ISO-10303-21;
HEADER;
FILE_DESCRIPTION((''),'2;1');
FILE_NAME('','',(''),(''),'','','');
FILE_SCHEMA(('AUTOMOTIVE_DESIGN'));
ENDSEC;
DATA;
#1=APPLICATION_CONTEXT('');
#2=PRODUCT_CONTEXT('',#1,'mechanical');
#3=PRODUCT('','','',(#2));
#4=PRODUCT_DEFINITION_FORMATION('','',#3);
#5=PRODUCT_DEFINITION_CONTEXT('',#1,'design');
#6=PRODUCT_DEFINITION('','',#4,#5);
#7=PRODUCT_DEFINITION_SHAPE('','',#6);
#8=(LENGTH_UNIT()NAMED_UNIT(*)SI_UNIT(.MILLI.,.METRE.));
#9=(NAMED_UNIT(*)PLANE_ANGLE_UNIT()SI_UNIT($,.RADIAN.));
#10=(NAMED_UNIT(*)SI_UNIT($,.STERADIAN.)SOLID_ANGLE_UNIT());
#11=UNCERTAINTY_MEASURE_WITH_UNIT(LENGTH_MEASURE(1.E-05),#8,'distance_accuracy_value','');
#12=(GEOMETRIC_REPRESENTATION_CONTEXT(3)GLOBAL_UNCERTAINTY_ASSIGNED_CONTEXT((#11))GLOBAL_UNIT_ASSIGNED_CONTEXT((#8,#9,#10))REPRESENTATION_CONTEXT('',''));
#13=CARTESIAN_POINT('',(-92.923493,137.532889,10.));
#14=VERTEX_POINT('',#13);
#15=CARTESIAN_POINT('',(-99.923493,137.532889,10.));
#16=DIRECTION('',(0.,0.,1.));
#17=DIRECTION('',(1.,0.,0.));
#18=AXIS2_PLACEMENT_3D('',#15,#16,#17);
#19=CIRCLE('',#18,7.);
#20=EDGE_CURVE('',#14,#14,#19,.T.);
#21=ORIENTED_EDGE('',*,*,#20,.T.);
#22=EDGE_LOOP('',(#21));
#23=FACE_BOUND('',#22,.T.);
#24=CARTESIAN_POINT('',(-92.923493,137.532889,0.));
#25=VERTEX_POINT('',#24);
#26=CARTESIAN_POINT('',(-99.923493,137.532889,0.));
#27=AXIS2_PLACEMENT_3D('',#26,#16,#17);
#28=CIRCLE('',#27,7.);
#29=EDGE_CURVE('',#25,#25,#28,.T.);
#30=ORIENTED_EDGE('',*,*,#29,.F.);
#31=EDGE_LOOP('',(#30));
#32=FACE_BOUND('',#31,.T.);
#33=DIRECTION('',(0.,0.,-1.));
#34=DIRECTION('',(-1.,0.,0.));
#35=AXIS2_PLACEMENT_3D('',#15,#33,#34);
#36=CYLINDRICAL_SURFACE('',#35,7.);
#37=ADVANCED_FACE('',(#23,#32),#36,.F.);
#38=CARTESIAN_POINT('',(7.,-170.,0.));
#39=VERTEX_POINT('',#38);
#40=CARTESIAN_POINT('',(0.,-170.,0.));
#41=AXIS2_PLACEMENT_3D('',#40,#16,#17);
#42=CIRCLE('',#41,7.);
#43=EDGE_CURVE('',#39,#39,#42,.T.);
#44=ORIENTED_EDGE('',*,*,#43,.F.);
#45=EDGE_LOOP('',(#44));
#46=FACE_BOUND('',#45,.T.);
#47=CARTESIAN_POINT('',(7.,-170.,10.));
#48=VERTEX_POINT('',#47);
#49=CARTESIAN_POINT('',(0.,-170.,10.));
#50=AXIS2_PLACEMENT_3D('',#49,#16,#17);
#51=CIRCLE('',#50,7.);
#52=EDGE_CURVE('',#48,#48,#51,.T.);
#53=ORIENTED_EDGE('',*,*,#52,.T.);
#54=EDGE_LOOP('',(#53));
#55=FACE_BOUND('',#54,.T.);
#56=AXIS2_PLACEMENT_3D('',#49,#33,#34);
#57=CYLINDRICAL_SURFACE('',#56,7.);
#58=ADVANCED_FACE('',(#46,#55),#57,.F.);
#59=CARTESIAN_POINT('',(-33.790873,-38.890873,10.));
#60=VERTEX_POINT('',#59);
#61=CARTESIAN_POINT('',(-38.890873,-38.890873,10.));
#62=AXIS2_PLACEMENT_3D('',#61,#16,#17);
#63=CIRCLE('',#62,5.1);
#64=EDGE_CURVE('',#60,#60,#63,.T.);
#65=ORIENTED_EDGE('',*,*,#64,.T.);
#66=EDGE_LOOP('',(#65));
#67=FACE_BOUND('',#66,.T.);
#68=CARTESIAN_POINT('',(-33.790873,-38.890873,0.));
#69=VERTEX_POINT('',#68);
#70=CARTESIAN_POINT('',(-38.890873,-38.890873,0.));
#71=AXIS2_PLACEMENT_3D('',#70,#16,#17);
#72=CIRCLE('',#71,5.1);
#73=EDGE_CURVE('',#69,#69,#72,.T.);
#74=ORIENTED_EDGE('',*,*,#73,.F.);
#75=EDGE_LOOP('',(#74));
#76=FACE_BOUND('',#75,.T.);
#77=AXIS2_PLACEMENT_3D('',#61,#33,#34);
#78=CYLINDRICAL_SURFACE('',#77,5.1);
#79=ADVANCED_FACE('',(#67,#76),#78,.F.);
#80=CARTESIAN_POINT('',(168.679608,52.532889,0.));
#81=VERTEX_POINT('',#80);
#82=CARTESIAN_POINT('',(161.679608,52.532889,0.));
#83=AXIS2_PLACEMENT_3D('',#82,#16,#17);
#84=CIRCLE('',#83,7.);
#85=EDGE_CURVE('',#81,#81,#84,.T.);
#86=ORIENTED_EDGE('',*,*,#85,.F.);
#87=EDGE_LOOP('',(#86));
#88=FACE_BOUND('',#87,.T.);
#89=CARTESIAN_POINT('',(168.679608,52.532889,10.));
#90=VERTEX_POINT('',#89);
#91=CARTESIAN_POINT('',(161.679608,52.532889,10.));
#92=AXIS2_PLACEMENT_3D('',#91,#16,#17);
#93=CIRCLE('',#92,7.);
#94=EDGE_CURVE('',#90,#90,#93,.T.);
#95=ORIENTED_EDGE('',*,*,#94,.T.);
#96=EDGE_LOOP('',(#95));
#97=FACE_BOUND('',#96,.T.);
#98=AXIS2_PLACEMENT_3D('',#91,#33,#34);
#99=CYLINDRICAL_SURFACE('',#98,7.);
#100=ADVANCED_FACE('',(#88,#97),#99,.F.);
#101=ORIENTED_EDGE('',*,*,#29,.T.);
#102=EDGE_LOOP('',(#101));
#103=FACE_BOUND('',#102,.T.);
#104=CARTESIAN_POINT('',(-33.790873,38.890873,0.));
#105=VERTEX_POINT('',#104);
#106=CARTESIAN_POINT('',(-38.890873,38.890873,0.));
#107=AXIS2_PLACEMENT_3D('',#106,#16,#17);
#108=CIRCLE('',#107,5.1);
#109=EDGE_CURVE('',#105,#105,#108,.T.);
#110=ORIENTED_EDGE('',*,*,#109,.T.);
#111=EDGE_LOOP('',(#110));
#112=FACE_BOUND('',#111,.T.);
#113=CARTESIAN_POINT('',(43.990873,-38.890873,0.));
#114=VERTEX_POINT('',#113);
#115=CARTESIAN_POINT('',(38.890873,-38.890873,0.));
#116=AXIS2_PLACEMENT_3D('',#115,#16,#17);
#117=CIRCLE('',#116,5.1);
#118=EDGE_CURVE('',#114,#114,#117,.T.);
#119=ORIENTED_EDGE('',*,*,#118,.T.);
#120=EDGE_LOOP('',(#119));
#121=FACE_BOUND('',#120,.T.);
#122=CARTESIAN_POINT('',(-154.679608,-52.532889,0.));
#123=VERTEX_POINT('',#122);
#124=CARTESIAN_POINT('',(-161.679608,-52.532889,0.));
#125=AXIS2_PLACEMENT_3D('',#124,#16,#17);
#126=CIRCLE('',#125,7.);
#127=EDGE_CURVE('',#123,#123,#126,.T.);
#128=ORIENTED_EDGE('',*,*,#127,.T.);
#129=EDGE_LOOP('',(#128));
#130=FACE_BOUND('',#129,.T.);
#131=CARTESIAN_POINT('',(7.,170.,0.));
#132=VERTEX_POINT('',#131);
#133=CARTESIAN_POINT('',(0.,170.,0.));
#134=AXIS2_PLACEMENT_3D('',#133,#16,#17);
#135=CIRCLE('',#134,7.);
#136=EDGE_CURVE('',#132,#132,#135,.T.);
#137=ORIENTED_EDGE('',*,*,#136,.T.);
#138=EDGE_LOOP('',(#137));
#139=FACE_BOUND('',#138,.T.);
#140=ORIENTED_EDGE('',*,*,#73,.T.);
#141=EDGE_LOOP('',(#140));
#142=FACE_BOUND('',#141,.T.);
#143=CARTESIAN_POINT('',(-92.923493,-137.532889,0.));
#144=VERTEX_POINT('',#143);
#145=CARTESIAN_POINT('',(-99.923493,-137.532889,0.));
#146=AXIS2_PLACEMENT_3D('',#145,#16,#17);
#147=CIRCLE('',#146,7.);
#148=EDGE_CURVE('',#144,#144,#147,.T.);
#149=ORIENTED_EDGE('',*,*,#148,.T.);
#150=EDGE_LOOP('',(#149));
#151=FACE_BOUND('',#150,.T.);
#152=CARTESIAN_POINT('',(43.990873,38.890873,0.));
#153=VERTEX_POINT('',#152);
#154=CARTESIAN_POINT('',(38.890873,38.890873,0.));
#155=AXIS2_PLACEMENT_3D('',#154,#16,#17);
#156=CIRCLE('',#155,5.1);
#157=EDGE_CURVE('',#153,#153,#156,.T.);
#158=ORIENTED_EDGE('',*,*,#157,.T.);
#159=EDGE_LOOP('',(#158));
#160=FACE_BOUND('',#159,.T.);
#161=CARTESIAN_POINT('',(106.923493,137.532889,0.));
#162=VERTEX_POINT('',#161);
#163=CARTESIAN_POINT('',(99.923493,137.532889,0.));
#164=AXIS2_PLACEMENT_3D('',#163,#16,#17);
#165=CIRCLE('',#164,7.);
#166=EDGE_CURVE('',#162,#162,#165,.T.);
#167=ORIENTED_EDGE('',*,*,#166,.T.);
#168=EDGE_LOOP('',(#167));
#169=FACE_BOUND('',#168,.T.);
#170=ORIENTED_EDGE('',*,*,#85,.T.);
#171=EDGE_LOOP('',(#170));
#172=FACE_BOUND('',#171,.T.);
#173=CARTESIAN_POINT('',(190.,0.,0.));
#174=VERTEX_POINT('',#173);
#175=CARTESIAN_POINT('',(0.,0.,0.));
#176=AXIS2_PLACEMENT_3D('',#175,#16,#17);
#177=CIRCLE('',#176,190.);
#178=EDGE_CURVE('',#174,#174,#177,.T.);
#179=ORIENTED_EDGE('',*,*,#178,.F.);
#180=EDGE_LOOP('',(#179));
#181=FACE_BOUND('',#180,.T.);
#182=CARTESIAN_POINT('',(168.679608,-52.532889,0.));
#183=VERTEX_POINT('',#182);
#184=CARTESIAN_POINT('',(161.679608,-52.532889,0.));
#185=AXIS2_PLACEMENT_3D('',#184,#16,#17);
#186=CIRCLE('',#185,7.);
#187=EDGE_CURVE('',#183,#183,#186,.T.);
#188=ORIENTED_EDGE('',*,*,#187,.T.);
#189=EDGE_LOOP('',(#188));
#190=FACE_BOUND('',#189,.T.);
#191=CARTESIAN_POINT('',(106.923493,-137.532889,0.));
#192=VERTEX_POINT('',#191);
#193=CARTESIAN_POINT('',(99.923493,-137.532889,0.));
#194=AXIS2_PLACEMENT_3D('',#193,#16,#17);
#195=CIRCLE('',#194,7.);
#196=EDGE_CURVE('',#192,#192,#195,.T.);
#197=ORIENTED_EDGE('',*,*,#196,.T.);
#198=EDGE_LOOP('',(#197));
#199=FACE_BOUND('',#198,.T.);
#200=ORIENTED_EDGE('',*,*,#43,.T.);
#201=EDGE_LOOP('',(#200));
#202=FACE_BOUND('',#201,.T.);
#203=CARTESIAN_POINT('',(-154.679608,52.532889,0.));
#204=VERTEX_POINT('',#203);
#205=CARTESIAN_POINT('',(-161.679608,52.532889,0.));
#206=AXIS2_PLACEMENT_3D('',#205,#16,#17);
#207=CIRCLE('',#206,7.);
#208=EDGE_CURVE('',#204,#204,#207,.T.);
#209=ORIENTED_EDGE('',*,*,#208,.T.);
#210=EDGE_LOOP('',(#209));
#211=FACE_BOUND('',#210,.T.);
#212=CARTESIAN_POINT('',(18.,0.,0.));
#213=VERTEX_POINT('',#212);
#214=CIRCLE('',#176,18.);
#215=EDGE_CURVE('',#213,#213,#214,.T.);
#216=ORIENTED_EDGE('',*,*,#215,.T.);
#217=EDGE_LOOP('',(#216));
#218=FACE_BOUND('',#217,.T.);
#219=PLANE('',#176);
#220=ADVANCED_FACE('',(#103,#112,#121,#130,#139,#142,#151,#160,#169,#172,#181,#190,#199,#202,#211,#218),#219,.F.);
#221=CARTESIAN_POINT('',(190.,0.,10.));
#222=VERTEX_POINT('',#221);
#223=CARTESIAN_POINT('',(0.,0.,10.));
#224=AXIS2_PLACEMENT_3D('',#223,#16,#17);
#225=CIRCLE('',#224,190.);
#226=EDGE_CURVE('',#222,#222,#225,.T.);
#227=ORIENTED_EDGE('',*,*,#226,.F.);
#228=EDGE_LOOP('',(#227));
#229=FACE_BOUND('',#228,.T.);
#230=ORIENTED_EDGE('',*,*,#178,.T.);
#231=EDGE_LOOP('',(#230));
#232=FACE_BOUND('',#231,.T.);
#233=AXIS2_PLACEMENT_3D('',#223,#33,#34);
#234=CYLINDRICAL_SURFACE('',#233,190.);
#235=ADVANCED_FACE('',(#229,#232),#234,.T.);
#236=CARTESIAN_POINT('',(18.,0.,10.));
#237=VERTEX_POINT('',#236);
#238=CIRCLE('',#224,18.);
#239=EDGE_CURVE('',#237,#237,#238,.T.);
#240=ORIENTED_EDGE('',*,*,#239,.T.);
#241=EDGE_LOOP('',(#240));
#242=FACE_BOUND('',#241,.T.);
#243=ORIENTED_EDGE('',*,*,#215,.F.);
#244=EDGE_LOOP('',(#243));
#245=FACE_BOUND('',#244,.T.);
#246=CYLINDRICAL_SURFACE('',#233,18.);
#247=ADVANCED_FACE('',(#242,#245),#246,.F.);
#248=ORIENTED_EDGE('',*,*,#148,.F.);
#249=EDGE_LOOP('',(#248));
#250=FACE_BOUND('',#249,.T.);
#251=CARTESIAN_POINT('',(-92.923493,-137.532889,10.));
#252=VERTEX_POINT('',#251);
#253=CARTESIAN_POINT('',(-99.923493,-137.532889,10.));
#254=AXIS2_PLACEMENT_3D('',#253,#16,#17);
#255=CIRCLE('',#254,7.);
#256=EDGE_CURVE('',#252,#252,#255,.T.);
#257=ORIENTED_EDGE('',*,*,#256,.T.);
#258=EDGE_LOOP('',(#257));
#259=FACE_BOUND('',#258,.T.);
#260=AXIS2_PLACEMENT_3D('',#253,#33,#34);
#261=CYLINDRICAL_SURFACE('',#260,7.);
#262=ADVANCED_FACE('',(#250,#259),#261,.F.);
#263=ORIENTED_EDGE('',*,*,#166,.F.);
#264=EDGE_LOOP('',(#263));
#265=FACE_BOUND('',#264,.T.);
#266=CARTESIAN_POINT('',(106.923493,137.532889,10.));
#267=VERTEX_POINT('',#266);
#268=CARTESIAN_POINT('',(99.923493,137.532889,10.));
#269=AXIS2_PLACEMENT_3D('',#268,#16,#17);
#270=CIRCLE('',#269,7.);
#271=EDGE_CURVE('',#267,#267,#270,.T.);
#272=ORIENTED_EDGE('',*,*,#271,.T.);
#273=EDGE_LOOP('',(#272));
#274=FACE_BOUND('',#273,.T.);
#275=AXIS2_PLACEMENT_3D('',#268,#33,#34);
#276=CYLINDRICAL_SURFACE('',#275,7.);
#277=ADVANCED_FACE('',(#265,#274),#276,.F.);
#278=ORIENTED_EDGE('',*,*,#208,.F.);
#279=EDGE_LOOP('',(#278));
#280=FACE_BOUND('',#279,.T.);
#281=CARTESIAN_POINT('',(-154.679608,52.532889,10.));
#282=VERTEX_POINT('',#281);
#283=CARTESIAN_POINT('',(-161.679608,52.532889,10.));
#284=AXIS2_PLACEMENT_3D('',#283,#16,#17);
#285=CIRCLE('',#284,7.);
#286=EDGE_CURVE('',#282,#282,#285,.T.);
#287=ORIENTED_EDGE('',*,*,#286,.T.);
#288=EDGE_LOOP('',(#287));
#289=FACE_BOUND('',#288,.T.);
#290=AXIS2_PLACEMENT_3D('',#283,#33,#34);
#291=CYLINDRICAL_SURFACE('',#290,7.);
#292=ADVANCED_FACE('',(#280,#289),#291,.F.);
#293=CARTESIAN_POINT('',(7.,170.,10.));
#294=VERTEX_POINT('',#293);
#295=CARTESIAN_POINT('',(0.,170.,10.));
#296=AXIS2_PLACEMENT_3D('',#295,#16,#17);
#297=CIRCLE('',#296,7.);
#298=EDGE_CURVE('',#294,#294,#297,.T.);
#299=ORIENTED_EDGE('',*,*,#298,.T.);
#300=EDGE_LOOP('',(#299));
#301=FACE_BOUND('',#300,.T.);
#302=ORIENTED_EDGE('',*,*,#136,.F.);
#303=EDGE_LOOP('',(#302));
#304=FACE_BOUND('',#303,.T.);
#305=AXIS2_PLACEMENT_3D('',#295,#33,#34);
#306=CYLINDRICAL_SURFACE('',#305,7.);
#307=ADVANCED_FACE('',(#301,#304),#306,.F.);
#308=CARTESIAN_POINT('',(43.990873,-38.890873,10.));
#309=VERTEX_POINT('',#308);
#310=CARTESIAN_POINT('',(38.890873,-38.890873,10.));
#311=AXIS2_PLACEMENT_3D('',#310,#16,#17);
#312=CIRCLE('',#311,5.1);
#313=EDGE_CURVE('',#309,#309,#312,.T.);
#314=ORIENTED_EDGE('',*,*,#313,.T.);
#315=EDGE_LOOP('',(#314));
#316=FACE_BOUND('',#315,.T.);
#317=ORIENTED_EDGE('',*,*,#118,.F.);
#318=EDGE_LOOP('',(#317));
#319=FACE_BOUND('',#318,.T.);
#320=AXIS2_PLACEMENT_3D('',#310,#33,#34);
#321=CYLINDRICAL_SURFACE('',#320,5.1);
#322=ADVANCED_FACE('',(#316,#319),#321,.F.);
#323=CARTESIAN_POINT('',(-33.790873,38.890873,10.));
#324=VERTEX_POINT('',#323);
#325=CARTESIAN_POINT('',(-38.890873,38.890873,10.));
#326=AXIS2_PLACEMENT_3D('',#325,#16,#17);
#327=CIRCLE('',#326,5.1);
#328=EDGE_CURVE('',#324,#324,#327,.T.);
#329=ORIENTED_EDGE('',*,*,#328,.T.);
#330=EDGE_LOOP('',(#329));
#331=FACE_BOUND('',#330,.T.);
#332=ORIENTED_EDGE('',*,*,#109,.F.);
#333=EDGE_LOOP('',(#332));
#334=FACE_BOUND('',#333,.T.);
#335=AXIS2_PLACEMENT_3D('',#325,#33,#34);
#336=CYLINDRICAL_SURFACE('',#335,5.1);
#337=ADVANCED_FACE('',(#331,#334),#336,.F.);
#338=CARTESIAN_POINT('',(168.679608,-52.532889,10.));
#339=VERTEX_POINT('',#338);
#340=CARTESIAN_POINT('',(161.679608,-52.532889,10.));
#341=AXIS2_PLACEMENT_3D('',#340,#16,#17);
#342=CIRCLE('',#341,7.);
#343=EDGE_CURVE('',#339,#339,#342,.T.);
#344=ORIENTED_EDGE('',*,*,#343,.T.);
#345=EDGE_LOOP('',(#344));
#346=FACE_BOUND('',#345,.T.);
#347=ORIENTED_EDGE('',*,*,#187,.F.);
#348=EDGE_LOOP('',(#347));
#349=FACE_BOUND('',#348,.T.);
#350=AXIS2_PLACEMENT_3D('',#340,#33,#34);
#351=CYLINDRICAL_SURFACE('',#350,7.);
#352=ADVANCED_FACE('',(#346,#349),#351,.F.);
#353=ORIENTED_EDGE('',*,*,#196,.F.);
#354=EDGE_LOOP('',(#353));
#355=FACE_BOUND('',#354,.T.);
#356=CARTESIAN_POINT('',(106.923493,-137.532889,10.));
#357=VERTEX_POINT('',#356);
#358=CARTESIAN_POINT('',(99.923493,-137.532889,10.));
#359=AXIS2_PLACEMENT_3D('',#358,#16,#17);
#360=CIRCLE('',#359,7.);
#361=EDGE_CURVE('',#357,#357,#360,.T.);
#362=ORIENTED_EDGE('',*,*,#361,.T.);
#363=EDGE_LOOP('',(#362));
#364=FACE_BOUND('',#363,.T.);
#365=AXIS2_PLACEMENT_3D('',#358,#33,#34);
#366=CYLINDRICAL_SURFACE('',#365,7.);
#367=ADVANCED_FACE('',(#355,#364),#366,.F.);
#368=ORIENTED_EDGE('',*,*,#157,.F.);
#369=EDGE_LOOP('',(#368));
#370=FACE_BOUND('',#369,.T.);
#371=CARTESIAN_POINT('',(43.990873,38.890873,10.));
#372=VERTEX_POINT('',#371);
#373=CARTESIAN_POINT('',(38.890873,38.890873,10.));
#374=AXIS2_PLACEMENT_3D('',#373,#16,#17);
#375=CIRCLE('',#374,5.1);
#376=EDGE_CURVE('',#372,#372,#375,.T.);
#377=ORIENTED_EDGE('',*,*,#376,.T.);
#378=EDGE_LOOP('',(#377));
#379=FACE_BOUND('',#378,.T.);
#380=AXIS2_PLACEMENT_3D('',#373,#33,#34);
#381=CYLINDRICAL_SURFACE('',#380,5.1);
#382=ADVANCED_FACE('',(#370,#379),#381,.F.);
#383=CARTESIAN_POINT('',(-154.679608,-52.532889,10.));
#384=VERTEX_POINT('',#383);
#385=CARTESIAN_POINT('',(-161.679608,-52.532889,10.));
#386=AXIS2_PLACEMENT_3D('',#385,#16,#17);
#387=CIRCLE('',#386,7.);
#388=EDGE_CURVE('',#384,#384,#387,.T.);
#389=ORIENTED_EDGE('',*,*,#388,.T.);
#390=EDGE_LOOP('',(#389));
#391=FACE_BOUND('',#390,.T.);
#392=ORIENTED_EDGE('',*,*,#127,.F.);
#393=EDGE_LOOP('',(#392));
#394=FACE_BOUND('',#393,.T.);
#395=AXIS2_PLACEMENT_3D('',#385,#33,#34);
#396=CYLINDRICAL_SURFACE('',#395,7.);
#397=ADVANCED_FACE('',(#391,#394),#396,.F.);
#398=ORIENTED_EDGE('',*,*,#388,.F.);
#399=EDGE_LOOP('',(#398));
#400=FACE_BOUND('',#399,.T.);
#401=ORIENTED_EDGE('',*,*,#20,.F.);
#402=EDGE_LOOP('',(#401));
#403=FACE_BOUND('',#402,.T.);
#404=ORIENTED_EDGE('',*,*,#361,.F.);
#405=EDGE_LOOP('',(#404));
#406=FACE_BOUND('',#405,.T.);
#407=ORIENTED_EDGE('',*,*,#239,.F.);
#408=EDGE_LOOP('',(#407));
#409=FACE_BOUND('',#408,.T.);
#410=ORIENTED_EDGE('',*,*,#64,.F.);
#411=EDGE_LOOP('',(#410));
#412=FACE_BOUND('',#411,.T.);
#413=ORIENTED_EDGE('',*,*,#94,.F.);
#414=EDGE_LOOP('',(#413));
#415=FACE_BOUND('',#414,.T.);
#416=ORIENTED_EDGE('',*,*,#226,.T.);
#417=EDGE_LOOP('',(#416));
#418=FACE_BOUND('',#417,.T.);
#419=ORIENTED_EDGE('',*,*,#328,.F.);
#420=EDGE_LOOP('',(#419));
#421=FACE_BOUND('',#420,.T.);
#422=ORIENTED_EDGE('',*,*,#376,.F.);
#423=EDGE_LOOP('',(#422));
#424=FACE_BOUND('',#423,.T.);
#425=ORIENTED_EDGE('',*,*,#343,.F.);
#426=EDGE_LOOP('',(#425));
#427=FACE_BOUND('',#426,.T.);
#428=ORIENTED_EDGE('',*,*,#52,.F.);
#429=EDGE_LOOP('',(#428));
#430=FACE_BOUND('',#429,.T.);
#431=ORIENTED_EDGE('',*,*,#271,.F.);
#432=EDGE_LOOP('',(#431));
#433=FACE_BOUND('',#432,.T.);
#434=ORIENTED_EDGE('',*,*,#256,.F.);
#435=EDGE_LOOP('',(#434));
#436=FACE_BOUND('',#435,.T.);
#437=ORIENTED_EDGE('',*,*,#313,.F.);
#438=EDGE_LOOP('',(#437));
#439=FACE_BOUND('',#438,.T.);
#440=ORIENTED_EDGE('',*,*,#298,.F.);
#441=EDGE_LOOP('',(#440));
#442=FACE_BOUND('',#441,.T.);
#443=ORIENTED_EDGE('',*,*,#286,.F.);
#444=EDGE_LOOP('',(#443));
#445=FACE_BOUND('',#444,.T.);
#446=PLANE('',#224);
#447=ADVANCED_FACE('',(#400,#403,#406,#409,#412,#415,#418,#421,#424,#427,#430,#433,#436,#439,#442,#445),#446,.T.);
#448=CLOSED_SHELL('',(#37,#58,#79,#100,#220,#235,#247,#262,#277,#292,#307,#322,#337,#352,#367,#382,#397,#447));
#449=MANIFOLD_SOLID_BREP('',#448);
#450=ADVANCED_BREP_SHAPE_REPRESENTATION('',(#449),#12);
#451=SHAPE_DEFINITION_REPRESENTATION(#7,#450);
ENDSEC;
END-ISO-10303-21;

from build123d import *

# Parameters (mm, degrees)
IZIM1_R                     = 190
IZIM1_R_2                   = 7
IZIM1_R_3                   = 18
IZIM1_R_4                   = 5.1
Y_KSEKLIK_EKSTR_ZYON1_DEPTH = 10


with BuildPart() as part:
    # Çizim1 → Yükseklik-Ekstrüzyon1 (new body)
    with BuildSketch(Plane.XY):
        Circle(IZIM1_R)
        with Locations((0, 170)):
            Circle(IZIM1_R_2, mode=Mode.SUBTRACT)
        with Locations((-99.92349289, 137.532889044)):
            Circle(IZIM1_R_2, mode=Mode.SUBTRACT)
        with Locations((-161.67960777, 52.532889044)):
            Circle(IZIM1_R_2, mode=Mode.SUBTRACT)
        with Locations((-161.67960777, -52.532889044)):
            Circle(IZIM1_R_2, mode=Mode.SUBTRACT)
        with Locations((-99.92349289, -137.532889044)):
            Circle(IZIM1_R_2, mode=Mode.SUBTRACT)
        with Locations((0, -170)):
            Circle(IZIM1_R_2, mode=Mode.SUBTRACT)
        with Locations((99.92349289, -137.532889044)):
            Circle(IZIM1_R_2, mode=Mode.SUBTRACT)
        with Locations((161.67960777, -52.532889044)):
            Circle(IZIM1_R_2, mode=Mode.SUBTRACT)
        with Locations((161.67960777, 52.532889044)):
            Circle(IZIM1_R_2, mode=Mode.SUBTRACT)
        with Locations((99.92349289, 137.532889044)):
            Circle(IZIM1_R_2, mode=Mode.SUBTRACT)
        Circle(IZIM1_R_3, mode=Mode.SUBTRACT)
        with Locations((-38.890872965, 38.890872965)):
            Circle(IZIM1_R_4, mode=Mode.SUBTRACT)
        with Locations((38.890872965, 38.890872965)):
            Circle(IZIM1_R_4, mode=Mode.SUBTRACT)
        with Locations((38.890872965, -38.890872965)):
            Circle(IZIM1_R_4, mode=Mode.SUBTRACT)
        with Locations((-38.890872965, -38.890872965)):
            Circle(IZIM1_R_4, mode=Mode.SUBTRACT)
    extrude(amount=Y_KSEKLIK_EKSTR_ZYON1_DEPTH)


solid = part.part
